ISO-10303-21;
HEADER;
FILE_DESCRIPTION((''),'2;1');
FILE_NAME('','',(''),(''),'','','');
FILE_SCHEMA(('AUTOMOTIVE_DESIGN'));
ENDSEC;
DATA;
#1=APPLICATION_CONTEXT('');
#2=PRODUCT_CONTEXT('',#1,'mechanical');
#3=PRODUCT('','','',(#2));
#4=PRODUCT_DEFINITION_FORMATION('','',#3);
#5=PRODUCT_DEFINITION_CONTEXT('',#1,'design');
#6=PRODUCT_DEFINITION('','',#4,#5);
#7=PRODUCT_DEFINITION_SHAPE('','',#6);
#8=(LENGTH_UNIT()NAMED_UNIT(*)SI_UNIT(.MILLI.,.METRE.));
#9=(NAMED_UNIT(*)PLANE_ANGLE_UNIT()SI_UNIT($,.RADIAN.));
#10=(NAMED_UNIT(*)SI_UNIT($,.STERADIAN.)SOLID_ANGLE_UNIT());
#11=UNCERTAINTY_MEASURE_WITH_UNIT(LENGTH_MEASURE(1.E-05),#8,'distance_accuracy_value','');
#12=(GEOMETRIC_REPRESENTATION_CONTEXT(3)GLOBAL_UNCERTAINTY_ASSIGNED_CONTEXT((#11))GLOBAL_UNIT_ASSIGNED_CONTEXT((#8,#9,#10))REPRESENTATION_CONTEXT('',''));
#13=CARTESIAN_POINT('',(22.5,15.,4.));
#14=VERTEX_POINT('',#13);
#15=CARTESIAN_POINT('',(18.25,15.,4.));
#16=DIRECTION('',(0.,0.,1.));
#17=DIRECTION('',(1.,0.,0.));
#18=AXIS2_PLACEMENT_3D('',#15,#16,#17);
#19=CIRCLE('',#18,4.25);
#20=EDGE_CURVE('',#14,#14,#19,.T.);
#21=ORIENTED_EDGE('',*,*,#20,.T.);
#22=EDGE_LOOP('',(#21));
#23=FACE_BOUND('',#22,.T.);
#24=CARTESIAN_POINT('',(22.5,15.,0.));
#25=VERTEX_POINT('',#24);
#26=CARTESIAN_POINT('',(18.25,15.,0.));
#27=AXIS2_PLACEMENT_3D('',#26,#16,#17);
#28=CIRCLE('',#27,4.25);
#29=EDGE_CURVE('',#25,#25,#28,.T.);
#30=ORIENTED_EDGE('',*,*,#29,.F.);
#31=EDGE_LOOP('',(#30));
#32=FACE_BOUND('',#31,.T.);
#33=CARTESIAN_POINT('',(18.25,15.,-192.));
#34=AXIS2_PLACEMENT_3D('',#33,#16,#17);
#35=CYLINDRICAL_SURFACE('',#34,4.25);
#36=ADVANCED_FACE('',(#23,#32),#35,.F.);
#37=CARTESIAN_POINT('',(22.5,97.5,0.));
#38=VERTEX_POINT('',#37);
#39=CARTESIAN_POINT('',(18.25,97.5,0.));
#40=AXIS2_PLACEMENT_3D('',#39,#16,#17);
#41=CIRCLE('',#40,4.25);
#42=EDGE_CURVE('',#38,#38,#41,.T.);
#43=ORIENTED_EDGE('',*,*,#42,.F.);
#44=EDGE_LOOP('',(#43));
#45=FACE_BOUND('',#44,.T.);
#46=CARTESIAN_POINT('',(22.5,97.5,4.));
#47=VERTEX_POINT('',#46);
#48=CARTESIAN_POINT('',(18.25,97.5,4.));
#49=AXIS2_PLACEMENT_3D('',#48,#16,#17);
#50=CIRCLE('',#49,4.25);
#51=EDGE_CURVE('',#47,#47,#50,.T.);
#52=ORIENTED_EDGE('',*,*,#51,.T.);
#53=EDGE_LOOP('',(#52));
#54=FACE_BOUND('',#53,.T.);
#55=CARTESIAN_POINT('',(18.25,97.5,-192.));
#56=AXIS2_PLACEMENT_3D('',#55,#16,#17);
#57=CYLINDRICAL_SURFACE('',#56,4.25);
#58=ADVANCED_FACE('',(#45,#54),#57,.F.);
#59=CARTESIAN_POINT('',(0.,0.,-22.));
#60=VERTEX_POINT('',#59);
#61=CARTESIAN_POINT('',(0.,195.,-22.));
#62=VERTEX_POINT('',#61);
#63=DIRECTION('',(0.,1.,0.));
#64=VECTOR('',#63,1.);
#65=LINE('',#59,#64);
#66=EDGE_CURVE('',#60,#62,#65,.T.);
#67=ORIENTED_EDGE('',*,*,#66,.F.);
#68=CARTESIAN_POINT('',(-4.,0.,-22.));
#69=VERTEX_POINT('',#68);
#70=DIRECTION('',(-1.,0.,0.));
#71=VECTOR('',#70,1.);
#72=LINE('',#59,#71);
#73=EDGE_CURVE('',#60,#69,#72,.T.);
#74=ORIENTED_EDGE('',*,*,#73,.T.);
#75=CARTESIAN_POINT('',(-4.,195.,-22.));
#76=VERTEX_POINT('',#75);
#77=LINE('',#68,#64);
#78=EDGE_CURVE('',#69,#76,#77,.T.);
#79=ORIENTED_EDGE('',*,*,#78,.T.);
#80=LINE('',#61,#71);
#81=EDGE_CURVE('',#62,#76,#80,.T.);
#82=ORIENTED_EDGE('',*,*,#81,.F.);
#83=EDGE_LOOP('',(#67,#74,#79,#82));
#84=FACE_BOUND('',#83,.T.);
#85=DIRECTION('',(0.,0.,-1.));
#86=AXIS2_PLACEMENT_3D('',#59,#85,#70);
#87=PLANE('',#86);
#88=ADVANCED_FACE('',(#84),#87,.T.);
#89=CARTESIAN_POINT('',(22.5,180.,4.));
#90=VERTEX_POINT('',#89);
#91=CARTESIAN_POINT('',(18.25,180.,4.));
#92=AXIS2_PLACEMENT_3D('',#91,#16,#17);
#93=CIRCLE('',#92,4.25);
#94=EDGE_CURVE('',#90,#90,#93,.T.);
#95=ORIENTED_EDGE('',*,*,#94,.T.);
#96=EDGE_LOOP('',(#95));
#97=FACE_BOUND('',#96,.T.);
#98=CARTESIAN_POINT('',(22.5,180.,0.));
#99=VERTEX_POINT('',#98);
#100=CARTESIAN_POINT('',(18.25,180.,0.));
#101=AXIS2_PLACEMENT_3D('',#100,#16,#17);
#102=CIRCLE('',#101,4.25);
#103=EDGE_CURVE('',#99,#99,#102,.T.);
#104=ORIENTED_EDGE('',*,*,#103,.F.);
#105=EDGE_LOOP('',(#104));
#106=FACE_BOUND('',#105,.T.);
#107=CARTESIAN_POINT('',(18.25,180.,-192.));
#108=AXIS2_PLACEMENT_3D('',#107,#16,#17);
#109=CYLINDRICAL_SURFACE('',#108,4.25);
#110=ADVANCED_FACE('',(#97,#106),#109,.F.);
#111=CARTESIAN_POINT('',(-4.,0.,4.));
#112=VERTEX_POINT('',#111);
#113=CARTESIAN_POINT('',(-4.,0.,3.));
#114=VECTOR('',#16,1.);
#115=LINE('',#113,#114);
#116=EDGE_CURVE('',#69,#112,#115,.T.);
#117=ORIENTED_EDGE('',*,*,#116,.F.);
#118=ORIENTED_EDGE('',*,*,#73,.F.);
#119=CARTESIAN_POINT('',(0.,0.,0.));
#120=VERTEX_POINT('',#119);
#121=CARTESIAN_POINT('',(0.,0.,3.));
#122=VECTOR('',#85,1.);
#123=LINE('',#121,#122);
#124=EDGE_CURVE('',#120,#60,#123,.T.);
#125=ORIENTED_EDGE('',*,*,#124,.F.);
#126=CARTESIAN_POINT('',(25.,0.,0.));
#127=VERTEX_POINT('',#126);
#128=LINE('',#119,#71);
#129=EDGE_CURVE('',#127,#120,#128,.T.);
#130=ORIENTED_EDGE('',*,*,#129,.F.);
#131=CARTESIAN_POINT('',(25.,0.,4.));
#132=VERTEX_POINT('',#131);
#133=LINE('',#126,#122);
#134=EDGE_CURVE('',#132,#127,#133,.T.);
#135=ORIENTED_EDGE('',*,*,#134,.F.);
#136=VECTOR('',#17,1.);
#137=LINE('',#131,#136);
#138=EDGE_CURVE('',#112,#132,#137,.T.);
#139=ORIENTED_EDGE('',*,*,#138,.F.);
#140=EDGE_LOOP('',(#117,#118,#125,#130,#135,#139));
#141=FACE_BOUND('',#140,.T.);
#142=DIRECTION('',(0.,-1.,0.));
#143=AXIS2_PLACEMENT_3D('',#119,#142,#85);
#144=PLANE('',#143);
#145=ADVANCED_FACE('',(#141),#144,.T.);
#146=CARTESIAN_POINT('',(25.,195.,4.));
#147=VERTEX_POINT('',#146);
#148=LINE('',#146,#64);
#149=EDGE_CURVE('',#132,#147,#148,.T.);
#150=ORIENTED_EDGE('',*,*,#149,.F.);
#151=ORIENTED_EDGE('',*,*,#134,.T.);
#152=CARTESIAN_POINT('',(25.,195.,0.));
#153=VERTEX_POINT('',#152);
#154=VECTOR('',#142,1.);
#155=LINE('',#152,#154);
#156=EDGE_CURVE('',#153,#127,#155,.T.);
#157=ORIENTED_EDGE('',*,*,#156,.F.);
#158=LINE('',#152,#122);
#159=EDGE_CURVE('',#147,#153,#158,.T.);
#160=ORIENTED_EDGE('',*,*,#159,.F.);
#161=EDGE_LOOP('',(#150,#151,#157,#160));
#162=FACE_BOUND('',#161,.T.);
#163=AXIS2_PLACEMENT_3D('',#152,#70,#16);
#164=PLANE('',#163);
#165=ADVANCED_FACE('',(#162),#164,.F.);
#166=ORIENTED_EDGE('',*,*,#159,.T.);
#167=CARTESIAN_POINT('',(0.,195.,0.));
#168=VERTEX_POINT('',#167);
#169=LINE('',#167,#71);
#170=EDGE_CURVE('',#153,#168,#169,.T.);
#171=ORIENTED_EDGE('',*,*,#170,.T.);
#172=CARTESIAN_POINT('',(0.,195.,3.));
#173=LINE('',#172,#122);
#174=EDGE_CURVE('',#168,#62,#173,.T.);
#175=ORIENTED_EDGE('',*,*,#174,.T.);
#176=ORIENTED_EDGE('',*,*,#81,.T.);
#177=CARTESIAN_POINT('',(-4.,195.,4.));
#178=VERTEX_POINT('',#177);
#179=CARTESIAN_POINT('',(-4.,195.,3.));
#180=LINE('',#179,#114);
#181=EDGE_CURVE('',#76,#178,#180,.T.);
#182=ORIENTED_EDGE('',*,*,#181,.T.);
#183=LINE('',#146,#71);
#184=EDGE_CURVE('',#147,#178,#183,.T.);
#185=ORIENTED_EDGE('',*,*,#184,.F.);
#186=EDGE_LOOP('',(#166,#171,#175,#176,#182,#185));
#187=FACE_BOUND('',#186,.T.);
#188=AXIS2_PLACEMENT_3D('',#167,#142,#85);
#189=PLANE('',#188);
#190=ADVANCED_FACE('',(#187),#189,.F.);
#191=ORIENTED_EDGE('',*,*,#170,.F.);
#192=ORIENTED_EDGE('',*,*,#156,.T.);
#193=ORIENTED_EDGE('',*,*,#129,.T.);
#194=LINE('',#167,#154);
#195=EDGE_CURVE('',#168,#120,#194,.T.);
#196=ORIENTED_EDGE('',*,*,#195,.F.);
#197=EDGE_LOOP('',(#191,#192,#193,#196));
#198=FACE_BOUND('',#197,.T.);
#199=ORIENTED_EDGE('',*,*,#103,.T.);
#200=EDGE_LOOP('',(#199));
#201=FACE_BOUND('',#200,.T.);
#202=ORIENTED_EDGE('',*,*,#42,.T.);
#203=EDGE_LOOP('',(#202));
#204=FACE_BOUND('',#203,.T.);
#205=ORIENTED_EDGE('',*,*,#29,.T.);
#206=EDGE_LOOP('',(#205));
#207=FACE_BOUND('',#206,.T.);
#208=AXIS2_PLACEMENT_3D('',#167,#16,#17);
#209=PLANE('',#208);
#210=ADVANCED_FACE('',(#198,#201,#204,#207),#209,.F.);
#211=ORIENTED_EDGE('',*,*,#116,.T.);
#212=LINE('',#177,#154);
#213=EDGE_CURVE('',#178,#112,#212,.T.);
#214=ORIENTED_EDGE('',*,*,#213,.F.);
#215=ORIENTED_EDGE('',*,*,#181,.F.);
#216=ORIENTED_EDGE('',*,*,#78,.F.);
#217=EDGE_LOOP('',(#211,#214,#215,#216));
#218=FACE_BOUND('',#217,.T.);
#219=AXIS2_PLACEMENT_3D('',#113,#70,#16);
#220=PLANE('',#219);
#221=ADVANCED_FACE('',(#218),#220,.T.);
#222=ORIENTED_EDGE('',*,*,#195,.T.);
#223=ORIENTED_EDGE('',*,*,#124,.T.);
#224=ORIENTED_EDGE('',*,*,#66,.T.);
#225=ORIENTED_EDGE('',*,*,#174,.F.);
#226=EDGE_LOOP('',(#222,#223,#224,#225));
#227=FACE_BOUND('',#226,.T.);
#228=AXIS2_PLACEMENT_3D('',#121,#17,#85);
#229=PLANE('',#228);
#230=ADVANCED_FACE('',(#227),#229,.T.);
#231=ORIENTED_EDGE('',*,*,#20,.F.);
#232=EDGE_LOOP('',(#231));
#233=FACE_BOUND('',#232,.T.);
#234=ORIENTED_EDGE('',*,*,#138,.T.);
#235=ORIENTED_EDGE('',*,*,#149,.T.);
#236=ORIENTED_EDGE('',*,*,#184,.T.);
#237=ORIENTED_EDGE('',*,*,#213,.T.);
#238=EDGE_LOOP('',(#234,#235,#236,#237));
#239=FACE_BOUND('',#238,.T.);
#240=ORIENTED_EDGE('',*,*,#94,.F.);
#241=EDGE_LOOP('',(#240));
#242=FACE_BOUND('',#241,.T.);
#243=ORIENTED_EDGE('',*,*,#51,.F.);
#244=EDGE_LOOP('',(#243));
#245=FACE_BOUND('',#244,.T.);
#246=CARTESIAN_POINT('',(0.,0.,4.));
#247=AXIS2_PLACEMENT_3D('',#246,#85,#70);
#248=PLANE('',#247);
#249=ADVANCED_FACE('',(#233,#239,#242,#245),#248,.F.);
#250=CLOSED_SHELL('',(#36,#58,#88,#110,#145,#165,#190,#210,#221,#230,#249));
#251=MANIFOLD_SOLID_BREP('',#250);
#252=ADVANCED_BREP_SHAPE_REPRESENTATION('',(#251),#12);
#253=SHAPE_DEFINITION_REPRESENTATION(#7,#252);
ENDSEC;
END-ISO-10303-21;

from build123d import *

# Parameters (mm, degrees)
CROQUIS1_W              = 25
CROQUIS1_H              = 3
SALIENTE_EXTRUIR1_DEPTH = 195
CROQUIS2_R              = 4.25
CORTAR_EXTRUIR1_DEPTH   = 195
CROQUIS3_W              = 4
CROQUIS3_H              = 25
SALIENTE_EXTRUIR2_DEPTH = 195
SALIENTE_EXTRUIR3_START = 1
CROQUIS4_W              = 29
CROQUIS4_H              = 195
CROQUIS4_R              = 4.25
SALIENTE_EXTRUIR3_DEPTH = 1


with BuildPart() as part:
    # Croquis1 → Saliente-Extruir1 (new body)
    with BuildSketch(Plane(origin=(0, 0, 0), x_dir=(1, 0, 0), z_dir=(0, 1, 0))):
        with Locations((12.5, -1.5)):
            Rectangle(CROQUIS1_W, CROQUIS1_H)
    extrude(amount=SALIENTE_EXTRUIR1_DEPTH)

    # Croquis2 → Cortar-Extruir1 (cut)
    with BuildSketch(Plane.XY.offset(3)):
        with Locations((18.25, 180)):
            Circle(CROQUIS2_R)
        with Locations((18.25, 97.5)):
            Circle(CROQUIS2_R)
        with Locations((18.25, 15)):
            Circle(CROQUIS2_R)
    extrude(amount=-CORTAR_EXTRUIR1_DEPTH, mode=Mode.SUBTRACT)

    # Croquis3 → Saliente-Extruir2 (add)
    with BuildSketch(Plane(origin=(0, 195, 0), x_dir=(1, 0, 0), z_dir=(0, 1, 0))):
        with Locations((-2, 9.5)):
            Rectangle(CROQUIS3_W, CROQUIS3_H)
    extrude(amount=-SALIENTE_EXTRUIR2_DEPTH)

    # Croquis4 → Saliente-Extruir3 (add)
    with BuildSketch(Plane.XY.offset(3).offset(SALIENTE_EXTRUIR3_START)):
        with Locations((10.5, 97.5)):
            Rectangle(CROQUIS4_W, CROQUIS4_H)
        with Locations((18.25, 15)):
            Circle(CROQUIS4_R, mode=Mode.SUBTRACT)
        with Locations((18.25, 97.5)):
            Circle(CROQUIS4_R, mode=Mode.SUBTRACT)
        with Locations((18.25, 180)):
            Circle(CROQUIS4_R, mode=Mode.SUBTRACT)
    extrude(amount=-SALIENTE_EXTRUIR3_DEPTH)


solid = part.part
